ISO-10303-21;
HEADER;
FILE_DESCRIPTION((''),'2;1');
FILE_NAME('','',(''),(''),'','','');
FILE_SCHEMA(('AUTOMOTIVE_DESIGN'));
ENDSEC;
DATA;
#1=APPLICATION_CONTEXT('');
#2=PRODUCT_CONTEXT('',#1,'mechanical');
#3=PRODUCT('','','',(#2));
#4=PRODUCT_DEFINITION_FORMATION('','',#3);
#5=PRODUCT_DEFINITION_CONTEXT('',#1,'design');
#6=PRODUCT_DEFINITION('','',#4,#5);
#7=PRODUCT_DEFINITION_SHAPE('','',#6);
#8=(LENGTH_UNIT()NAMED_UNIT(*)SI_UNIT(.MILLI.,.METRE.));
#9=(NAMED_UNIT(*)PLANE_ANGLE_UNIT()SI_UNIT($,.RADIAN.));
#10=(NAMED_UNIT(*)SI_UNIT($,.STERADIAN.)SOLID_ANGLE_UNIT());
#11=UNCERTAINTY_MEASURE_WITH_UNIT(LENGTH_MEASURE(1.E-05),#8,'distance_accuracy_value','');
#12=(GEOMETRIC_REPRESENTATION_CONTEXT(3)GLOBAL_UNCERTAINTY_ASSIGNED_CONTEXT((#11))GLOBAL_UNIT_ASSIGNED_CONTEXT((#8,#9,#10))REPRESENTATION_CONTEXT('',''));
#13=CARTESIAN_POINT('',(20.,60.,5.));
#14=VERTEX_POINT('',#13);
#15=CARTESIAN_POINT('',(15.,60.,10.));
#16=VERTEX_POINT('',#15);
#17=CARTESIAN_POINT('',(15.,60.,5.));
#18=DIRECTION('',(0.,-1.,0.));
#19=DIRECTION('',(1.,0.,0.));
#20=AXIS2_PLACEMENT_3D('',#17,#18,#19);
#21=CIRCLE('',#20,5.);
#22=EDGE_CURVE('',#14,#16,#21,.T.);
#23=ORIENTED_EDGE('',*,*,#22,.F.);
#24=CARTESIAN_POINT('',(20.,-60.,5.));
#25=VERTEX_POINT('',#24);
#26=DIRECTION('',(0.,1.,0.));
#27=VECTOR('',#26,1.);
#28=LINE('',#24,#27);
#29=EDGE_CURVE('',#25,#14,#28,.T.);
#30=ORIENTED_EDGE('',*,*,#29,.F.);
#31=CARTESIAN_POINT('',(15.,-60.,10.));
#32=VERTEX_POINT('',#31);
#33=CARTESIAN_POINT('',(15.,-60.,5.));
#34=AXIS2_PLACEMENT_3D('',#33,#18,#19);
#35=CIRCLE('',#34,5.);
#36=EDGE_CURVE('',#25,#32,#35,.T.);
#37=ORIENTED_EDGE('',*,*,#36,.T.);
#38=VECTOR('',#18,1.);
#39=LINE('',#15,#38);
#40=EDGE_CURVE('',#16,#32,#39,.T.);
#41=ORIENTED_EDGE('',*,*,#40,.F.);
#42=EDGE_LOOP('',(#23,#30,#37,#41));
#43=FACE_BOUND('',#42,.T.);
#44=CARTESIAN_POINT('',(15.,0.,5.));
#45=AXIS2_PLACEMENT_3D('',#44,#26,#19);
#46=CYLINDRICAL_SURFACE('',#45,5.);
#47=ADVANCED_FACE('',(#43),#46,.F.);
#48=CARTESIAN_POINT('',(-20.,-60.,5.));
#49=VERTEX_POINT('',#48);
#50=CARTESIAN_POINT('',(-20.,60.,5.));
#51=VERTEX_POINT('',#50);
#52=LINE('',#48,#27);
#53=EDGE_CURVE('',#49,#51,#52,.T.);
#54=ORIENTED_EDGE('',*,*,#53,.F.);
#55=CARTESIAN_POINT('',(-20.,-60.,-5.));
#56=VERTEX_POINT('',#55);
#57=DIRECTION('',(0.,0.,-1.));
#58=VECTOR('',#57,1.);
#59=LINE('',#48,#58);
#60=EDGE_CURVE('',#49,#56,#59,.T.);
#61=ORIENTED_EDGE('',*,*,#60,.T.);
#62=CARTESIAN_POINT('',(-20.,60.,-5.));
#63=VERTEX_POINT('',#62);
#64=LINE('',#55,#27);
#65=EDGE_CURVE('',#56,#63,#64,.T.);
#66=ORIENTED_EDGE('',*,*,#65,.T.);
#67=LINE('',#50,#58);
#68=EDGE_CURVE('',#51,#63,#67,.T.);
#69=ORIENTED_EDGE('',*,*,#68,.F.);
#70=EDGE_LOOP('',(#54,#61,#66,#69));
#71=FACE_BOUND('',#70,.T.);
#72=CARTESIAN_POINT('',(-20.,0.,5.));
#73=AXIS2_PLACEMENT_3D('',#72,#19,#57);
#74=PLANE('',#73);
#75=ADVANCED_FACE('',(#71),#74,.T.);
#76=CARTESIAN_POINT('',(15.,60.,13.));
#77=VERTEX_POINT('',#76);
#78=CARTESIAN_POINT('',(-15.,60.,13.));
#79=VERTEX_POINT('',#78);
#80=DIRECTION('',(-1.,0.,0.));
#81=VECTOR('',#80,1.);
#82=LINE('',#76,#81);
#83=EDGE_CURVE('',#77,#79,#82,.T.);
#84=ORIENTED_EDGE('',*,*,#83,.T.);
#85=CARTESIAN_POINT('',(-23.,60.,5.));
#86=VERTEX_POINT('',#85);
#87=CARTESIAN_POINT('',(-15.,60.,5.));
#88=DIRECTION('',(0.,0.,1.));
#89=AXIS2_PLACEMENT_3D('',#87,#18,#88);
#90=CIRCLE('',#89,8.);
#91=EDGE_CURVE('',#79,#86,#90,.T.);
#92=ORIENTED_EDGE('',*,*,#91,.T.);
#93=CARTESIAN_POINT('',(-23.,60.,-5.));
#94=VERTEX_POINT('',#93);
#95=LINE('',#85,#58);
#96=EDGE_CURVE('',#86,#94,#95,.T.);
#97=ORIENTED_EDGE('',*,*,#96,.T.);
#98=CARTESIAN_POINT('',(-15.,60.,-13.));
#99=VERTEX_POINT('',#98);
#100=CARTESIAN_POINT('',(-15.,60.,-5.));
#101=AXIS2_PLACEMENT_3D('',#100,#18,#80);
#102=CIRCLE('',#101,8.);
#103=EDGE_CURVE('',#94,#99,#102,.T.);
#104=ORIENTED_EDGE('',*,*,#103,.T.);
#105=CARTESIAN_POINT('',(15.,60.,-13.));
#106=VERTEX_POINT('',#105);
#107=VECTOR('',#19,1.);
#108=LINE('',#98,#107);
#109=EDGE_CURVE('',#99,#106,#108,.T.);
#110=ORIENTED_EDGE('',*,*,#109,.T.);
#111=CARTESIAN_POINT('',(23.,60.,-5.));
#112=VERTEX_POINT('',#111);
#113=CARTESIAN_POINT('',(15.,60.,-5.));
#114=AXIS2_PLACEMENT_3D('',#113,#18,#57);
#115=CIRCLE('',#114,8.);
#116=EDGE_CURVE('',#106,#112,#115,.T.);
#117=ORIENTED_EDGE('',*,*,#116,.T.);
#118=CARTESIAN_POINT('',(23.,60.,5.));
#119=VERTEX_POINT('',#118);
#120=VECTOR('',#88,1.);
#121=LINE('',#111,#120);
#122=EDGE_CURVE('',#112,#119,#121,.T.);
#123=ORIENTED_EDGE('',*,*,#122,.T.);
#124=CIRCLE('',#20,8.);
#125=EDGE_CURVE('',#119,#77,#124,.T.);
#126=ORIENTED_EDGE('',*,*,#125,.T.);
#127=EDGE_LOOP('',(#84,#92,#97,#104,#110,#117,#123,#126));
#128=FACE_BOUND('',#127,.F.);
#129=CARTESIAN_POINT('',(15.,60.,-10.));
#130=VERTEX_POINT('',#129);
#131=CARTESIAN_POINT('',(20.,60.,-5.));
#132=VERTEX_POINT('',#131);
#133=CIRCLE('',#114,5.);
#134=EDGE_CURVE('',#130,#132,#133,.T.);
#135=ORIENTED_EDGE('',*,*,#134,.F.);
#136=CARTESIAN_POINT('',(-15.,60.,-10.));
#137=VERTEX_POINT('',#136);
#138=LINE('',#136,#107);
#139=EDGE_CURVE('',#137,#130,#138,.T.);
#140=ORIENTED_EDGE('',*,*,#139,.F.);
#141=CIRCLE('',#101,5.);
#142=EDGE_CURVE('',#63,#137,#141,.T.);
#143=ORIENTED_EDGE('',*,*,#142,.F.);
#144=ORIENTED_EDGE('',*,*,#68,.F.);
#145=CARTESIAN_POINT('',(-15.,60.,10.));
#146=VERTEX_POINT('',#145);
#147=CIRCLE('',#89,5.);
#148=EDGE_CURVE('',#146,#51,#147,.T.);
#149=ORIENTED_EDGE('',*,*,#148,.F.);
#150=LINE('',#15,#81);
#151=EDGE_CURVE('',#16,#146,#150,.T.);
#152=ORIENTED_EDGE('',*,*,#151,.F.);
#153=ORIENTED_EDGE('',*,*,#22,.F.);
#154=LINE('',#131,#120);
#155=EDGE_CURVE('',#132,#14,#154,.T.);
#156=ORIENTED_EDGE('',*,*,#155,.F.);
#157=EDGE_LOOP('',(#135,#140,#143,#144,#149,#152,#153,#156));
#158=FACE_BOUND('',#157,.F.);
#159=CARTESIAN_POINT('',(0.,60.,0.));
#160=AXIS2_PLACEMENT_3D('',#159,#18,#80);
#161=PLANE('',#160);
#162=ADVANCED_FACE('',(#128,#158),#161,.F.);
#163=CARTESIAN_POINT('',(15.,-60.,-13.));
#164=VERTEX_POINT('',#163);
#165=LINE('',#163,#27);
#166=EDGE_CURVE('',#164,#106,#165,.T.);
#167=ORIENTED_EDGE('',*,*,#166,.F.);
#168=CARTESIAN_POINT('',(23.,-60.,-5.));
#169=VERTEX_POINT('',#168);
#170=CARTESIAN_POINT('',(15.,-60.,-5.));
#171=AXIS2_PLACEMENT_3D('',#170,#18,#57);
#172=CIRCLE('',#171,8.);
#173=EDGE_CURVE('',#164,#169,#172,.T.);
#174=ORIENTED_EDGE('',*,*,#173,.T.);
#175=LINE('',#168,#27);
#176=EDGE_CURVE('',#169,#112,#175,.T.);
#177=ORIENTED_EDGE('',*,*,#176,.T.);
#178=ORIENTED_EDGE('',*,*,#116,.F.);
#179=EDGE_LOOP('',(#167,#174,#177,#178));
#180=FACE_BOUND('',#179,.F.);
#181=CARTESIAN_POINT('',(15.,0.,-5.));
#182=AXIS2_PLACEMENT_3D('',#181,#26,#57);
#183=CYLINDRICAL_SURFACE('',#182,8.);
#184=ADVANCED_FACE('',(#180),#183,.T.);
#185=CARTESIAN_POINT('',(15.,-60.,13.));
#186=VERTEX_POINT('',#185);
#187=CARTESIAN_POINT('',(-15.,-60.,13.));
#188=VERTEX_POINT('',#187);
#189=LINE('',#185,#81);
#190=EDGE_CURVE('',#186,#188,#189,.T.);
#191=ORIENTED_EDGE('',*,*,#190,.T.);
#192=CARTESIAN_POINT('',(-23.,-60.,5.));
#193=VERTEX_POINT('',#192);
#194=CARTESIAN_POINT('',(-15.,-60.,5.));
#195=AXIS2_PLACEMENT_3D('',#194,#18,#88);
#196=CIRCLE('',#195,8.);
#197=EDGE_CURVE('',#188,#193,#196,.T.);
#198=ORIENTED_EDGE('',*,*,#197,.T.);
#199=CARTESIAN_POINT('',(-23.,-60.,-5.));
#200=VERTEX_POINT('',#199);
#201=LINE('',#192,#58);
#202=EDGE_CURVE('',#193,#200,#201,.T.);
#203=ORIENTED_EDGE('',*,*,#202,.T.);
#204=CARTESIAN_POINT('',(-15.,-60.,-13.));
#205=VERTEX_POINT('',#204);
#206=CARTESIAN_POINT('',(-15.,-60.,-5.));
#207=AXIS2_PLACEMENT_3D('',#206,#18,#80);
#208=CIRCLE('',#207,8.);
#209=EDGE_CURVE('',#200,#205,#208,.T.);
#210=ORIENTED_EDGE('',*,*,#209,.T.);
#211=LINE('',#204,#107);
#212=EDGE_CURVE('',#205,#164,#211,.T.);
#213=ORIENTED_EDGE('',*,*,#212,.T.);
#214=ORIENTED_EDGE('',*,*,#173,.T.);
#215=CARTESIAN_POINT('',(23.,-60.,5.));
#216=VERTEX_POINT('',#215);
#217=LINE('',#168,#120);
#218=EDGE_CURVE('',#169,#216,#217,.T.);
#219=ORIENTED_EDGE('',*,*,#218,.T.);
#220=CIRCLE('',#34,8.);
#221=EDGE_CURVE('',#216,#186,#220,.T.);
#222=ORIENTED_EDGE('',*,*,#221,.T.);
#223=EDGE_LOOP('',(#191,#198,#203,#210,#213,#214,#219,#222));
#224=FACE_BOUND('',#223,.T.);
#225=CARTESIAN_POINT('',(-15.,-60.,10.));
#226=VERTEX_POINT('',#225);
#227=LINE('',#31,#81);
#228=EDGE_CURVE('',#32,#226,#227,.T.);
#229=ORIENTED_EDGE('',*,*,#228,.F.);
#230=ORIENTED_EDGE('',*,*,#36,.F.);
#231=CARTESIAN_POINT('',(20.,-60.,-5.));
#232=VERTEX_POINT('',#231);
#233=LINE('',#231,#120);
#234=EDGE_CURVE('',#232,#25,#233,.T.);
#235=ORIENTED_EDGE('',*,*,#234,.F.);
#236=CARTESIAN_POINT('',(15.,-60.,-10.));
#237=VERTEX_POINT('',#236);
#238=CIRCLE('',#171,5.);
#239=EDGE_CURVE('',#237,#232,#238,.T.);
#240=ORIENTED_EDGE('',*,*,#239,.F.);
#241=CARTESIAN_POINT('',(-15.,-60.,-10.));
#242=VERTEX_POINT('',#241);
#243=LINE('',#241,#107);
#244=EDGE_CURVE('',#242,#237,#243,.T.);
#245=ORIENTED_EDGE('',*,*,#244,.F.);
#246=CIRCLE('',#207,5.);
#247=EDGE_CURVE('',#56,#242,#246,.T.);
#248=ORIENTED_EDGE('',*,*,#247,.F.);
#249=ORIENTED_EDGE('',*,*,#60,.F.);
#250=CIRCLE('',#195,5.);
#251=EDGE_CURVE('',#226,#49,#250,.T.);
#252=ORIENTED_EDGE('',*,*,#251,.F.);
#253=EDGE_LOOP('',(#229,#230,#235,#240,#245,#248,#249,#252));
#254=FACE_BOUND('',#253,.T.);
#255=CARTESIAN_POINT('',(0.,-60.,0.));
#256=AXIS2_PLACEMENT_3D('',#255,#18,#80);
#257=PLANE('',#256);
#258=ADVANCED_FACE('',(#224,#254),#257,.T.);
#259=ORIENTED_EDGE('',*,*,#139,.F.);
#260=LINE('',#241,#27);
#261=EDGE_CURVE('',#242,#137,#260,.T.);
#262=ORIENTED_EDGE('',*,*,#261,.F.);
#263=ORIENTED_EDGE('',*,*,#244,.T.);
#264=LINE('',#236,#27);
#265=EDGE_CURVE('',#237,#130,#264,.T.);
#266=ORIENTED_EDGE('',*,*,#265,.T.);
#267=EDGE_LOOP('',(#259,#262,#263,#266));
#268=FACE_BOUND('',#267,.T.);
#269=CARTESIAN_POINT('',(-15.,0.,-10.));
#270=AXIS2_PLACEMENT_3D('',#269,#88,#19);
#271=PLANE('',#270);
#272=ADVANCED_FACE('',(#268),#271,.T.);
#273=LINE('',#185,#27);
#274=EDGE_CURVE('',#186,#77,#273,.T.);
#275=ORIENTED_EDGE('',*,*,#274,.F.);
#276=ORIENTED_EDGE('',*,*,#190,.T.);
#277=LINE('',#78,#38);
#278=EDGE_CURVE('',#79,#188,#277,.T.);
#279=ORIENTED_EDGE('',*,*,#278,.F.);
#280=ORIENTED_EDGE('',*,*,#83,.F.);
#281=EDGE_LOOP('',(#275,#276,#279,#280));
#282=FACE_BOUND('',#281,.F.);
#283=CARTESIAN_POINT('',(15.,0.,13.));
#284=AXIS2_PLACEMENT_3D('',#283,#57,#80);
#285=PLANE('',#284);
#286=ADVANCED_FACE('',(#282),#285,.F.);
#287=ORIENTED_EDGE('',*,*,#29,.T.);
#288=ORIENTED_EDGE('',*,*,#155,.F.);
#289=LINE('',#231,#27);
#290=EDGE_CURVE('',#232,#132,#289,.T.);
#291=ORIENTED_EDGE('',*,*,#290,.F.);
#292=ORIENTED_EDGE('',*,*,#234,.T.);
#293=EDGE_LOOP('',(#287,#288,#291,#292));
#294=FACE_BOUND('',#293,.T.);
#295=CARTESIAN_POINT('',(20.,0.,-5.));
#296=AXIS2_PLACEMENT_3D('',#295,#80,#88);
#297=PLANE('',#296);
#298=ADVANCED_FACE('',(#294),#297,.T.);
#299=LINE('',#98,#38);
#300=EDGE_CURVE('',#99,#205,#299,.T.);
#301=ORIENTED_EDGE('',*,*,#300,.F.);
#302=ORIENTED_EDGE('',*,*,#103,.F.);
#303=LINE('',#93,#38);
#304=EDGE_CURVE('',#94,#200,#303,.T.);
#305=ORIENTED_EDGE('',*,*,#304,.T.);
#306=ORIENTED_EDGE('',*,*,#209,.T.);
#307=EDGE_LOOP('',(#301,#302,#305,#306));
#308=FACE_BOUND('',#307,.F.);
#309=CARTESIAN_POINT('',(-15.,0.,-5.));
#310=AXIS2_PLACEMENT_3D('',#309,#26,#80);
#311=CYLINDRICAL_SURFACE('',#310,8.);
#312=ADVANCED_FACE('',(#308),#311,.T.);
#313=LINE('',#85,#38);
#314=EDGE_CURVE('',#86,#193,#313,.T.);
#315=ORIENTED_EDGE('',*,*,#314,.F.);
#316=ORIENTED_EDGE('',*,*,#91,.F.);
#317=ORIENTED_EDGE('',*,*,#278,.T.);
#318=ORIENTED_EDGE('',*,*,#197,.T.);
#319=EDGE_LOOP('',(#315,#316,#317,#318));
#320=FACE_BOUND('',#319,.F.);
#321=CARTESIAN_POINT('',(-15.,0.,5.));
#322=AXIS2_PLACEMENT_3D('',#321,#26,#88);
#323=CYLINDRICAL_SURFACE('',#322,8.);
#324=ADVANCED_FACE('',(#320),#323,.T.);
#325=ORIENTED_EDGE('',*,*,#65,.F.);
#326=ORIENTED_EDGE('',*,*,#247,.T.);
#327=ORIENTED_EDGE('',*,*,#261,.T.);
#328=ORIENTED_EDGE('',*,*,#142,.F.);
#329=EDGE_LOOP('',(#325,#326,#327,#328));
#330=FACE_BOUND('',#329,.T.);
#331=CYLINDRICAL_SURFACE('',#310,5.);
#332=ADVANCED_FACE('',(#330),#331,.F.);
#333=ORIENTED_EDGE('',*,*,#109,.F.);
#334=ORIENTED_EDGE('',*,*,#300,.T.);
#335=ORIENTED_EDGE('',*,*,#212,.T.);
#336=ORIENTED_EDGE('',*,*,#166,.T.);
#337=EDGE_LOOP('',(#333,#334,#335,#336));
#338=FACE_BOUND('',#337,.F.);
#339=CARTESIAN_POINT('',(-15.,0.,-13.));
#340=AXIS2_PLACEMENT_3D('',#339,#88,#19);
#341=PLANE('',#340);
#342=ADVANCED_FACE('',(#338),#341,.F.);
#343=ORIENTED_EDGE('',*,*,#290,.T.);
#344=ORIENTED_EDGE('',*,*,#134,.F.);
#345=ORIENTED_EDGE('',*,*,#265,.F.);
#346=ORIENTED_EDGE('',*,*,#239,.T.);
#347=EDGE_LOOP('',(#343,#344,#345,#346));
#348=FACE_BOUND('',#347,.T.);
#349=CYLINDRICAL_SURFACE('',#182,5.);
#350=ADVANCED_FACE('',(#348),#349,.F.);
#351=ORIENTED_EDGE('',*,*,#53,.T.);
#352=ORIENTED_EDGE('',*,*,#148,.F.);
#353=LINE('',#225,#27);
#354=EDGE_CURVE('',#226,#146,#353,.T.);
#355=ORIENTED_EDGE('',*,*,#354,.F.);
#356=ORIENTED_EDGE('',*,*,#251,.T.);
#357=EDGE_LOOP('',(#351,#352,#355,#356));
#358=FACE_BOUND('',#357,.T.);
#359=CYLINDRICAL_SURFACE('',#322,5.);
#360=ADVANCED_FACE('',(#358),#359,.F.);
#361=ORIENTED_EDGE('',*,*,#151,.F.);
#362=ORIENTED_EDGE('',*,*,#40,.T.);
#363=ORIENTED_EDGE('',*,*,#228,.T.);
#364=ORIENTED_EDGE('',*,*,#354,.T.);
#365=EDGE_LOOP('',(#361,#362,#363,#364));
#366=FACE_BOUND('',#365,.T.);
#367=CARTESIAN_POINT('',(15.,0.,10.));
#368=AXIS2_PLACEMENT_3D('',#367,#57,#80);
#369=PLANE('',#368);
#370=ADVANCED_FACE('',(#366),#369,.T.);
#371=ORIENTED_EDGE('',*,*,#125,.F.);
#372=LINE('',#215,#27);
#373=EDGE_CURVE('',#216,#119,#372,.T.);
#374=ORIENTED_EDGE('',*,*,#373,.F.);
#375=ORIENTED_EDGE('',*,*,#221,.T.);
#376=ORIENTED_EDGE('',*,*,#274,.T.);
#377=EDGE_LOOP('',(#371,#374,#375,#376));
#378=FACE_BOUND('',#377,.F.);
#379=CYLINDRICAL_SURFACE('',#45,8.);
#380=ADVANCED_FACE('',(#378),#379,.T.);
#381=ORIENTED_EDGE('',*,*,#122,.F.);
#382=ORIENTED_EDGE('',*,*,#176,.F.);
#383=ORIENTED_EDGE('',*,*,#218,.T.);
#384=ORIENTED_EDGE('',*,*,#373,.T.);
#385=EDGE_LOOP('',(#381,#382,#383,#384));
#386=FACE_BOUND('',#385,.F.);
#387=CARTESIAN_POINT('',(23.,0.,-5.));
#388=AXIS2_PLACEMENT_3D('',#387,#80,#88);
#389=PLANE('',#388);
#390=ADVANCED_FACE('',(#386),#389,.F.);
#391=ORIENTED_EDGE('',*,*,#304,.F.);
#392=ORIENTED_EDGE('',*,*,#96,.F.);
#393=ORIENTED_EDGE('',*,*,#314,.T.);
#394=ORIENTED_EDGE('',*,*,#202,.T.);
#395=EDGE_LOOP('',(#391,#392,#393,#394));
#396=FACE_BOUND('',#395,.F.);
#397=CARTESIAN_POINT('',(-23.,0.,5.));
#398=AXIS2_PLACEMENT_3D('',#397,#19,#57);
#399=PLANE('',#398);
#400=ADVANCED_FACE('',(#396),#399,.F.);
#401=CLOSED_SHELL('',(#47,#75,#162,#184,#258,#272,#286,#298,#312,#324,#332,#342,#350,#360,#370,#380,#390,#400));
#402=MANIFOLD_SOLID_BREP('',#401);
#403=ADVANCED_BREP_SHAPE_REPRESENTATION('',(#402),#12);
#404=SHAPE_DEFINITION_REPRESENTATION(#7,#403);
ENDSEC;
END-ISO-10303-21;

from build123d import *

# Parameters (mm, degrees)
EXTRUDE_THIN1_DEPTH = 60


with BuildPart() as part:
    # Sketch1 → Extrude-Thin1 (new body, symmetric)
    with BuildSketch(Plane(origin=(0, 0, 0), x_dir=(1, 0, 0), z_dir=(0, 1, 0))):
        with BuildLine():
            Line((15, -13), (-15, -13))
            ThreePointArc((-15, -13), (-20.656854249, -10.656854249), (-23, -5))
            Line((-23, -5), (-23, 5))
            ThreePointArc((-23, 5), (-20.656854249, 10.656854249), (-15, 13))
            Line((-15, 13), (15, 13))
            ThreePointArc((15, 13), (20.656854249, 10.656854249), (23, 5))
            Line((23, 5), (23, -5))
            ThreePointArc((23, -5), (20.656854249, -10.656854249), (15, -13))
        make_face()
        with BuildLine():
            Line((15, -10), (-15, -10))
            ThreePointArc((-15, -10), (-18.535533906, -8.535533906), (-20, -5))
            Line((-20, -5), (-20, 5))
            ThreePointArc((-20, 5), (-18.535533906, 8.535533906), (-15, 10))
            Line((-15, 10), (15, 10))
            ThreePointArc((15, 10), (18.535533906, 8.535533906), (20, 5))
            Line((20, 5), (20, -5))
            ThreePointArc((20, -5), (18.535533906, -8.535533906), (15, -10))
        make_face(mode=Mode.SUBTRACT)
    extrude(amount=EXTRUDE_THIN1_DEPTH, both=True)


solid = part.part
